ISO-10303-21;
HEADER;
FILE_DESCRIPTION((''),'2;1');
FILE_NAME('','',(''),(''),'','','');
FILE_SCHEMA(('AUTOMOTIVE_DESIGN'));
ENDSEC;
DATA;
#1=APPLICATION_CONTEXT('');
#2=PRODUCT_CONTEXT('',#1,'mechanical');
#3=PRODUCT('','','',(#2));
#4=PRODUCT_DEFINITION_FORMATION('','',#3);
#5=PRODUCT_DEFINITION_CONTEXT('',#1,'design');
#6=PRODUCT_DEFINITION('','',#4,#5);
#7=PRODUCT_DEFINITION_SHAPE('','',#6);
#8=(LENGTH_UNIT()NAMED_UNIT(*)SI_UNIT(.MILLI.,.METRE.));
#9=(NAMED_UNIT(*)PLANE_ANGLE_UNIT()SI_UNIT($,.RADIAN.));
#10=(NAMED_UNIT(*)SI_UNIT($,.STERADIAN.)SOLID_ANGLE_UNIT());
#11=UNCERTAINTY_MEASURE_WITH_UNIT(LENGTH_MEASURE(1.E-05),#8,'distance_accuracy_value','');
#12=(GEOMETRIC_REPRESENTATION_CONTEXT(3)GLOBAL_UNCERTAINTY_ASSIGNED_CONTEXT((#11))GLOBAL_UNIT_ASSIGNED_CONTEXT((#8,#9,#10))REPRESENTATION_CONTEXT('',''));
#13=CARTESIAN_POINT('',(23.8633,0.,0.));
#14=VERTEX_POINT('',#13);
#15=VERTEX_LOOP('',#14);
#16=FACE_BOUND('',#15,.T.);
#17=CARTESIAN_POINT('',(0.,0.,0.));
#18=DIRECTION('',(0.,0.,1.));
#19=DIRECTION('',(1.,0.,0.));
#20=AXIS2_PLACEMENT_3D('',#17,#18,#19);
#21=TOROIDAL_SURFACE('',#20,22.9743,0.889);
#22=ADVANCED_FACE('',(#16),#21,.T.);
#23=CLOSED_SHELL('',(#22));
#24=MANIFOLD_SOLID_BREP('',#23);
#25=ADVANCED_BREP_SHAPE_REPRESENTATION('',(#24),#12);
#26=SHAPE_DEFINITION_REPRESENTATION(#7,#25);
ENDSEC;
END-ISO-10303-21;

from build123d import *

# Parameters (mm, degrees)
SKETCH1_R = 0.889


with BuildPart() as part:
    # Sketch1 → Revolve1 (revolve)
    with BuildSketch(Plane(origin=(0, 0, 0), x_dir=(0, -1, 0), z_dir=(1, 0, 0))):
        with Locations((22.9743, 0)):
            Circle(SKETCH1_R)
    revolve(axis=Axis((0, 0, 0.889), (0, 0, -1)))


solid = part.part
